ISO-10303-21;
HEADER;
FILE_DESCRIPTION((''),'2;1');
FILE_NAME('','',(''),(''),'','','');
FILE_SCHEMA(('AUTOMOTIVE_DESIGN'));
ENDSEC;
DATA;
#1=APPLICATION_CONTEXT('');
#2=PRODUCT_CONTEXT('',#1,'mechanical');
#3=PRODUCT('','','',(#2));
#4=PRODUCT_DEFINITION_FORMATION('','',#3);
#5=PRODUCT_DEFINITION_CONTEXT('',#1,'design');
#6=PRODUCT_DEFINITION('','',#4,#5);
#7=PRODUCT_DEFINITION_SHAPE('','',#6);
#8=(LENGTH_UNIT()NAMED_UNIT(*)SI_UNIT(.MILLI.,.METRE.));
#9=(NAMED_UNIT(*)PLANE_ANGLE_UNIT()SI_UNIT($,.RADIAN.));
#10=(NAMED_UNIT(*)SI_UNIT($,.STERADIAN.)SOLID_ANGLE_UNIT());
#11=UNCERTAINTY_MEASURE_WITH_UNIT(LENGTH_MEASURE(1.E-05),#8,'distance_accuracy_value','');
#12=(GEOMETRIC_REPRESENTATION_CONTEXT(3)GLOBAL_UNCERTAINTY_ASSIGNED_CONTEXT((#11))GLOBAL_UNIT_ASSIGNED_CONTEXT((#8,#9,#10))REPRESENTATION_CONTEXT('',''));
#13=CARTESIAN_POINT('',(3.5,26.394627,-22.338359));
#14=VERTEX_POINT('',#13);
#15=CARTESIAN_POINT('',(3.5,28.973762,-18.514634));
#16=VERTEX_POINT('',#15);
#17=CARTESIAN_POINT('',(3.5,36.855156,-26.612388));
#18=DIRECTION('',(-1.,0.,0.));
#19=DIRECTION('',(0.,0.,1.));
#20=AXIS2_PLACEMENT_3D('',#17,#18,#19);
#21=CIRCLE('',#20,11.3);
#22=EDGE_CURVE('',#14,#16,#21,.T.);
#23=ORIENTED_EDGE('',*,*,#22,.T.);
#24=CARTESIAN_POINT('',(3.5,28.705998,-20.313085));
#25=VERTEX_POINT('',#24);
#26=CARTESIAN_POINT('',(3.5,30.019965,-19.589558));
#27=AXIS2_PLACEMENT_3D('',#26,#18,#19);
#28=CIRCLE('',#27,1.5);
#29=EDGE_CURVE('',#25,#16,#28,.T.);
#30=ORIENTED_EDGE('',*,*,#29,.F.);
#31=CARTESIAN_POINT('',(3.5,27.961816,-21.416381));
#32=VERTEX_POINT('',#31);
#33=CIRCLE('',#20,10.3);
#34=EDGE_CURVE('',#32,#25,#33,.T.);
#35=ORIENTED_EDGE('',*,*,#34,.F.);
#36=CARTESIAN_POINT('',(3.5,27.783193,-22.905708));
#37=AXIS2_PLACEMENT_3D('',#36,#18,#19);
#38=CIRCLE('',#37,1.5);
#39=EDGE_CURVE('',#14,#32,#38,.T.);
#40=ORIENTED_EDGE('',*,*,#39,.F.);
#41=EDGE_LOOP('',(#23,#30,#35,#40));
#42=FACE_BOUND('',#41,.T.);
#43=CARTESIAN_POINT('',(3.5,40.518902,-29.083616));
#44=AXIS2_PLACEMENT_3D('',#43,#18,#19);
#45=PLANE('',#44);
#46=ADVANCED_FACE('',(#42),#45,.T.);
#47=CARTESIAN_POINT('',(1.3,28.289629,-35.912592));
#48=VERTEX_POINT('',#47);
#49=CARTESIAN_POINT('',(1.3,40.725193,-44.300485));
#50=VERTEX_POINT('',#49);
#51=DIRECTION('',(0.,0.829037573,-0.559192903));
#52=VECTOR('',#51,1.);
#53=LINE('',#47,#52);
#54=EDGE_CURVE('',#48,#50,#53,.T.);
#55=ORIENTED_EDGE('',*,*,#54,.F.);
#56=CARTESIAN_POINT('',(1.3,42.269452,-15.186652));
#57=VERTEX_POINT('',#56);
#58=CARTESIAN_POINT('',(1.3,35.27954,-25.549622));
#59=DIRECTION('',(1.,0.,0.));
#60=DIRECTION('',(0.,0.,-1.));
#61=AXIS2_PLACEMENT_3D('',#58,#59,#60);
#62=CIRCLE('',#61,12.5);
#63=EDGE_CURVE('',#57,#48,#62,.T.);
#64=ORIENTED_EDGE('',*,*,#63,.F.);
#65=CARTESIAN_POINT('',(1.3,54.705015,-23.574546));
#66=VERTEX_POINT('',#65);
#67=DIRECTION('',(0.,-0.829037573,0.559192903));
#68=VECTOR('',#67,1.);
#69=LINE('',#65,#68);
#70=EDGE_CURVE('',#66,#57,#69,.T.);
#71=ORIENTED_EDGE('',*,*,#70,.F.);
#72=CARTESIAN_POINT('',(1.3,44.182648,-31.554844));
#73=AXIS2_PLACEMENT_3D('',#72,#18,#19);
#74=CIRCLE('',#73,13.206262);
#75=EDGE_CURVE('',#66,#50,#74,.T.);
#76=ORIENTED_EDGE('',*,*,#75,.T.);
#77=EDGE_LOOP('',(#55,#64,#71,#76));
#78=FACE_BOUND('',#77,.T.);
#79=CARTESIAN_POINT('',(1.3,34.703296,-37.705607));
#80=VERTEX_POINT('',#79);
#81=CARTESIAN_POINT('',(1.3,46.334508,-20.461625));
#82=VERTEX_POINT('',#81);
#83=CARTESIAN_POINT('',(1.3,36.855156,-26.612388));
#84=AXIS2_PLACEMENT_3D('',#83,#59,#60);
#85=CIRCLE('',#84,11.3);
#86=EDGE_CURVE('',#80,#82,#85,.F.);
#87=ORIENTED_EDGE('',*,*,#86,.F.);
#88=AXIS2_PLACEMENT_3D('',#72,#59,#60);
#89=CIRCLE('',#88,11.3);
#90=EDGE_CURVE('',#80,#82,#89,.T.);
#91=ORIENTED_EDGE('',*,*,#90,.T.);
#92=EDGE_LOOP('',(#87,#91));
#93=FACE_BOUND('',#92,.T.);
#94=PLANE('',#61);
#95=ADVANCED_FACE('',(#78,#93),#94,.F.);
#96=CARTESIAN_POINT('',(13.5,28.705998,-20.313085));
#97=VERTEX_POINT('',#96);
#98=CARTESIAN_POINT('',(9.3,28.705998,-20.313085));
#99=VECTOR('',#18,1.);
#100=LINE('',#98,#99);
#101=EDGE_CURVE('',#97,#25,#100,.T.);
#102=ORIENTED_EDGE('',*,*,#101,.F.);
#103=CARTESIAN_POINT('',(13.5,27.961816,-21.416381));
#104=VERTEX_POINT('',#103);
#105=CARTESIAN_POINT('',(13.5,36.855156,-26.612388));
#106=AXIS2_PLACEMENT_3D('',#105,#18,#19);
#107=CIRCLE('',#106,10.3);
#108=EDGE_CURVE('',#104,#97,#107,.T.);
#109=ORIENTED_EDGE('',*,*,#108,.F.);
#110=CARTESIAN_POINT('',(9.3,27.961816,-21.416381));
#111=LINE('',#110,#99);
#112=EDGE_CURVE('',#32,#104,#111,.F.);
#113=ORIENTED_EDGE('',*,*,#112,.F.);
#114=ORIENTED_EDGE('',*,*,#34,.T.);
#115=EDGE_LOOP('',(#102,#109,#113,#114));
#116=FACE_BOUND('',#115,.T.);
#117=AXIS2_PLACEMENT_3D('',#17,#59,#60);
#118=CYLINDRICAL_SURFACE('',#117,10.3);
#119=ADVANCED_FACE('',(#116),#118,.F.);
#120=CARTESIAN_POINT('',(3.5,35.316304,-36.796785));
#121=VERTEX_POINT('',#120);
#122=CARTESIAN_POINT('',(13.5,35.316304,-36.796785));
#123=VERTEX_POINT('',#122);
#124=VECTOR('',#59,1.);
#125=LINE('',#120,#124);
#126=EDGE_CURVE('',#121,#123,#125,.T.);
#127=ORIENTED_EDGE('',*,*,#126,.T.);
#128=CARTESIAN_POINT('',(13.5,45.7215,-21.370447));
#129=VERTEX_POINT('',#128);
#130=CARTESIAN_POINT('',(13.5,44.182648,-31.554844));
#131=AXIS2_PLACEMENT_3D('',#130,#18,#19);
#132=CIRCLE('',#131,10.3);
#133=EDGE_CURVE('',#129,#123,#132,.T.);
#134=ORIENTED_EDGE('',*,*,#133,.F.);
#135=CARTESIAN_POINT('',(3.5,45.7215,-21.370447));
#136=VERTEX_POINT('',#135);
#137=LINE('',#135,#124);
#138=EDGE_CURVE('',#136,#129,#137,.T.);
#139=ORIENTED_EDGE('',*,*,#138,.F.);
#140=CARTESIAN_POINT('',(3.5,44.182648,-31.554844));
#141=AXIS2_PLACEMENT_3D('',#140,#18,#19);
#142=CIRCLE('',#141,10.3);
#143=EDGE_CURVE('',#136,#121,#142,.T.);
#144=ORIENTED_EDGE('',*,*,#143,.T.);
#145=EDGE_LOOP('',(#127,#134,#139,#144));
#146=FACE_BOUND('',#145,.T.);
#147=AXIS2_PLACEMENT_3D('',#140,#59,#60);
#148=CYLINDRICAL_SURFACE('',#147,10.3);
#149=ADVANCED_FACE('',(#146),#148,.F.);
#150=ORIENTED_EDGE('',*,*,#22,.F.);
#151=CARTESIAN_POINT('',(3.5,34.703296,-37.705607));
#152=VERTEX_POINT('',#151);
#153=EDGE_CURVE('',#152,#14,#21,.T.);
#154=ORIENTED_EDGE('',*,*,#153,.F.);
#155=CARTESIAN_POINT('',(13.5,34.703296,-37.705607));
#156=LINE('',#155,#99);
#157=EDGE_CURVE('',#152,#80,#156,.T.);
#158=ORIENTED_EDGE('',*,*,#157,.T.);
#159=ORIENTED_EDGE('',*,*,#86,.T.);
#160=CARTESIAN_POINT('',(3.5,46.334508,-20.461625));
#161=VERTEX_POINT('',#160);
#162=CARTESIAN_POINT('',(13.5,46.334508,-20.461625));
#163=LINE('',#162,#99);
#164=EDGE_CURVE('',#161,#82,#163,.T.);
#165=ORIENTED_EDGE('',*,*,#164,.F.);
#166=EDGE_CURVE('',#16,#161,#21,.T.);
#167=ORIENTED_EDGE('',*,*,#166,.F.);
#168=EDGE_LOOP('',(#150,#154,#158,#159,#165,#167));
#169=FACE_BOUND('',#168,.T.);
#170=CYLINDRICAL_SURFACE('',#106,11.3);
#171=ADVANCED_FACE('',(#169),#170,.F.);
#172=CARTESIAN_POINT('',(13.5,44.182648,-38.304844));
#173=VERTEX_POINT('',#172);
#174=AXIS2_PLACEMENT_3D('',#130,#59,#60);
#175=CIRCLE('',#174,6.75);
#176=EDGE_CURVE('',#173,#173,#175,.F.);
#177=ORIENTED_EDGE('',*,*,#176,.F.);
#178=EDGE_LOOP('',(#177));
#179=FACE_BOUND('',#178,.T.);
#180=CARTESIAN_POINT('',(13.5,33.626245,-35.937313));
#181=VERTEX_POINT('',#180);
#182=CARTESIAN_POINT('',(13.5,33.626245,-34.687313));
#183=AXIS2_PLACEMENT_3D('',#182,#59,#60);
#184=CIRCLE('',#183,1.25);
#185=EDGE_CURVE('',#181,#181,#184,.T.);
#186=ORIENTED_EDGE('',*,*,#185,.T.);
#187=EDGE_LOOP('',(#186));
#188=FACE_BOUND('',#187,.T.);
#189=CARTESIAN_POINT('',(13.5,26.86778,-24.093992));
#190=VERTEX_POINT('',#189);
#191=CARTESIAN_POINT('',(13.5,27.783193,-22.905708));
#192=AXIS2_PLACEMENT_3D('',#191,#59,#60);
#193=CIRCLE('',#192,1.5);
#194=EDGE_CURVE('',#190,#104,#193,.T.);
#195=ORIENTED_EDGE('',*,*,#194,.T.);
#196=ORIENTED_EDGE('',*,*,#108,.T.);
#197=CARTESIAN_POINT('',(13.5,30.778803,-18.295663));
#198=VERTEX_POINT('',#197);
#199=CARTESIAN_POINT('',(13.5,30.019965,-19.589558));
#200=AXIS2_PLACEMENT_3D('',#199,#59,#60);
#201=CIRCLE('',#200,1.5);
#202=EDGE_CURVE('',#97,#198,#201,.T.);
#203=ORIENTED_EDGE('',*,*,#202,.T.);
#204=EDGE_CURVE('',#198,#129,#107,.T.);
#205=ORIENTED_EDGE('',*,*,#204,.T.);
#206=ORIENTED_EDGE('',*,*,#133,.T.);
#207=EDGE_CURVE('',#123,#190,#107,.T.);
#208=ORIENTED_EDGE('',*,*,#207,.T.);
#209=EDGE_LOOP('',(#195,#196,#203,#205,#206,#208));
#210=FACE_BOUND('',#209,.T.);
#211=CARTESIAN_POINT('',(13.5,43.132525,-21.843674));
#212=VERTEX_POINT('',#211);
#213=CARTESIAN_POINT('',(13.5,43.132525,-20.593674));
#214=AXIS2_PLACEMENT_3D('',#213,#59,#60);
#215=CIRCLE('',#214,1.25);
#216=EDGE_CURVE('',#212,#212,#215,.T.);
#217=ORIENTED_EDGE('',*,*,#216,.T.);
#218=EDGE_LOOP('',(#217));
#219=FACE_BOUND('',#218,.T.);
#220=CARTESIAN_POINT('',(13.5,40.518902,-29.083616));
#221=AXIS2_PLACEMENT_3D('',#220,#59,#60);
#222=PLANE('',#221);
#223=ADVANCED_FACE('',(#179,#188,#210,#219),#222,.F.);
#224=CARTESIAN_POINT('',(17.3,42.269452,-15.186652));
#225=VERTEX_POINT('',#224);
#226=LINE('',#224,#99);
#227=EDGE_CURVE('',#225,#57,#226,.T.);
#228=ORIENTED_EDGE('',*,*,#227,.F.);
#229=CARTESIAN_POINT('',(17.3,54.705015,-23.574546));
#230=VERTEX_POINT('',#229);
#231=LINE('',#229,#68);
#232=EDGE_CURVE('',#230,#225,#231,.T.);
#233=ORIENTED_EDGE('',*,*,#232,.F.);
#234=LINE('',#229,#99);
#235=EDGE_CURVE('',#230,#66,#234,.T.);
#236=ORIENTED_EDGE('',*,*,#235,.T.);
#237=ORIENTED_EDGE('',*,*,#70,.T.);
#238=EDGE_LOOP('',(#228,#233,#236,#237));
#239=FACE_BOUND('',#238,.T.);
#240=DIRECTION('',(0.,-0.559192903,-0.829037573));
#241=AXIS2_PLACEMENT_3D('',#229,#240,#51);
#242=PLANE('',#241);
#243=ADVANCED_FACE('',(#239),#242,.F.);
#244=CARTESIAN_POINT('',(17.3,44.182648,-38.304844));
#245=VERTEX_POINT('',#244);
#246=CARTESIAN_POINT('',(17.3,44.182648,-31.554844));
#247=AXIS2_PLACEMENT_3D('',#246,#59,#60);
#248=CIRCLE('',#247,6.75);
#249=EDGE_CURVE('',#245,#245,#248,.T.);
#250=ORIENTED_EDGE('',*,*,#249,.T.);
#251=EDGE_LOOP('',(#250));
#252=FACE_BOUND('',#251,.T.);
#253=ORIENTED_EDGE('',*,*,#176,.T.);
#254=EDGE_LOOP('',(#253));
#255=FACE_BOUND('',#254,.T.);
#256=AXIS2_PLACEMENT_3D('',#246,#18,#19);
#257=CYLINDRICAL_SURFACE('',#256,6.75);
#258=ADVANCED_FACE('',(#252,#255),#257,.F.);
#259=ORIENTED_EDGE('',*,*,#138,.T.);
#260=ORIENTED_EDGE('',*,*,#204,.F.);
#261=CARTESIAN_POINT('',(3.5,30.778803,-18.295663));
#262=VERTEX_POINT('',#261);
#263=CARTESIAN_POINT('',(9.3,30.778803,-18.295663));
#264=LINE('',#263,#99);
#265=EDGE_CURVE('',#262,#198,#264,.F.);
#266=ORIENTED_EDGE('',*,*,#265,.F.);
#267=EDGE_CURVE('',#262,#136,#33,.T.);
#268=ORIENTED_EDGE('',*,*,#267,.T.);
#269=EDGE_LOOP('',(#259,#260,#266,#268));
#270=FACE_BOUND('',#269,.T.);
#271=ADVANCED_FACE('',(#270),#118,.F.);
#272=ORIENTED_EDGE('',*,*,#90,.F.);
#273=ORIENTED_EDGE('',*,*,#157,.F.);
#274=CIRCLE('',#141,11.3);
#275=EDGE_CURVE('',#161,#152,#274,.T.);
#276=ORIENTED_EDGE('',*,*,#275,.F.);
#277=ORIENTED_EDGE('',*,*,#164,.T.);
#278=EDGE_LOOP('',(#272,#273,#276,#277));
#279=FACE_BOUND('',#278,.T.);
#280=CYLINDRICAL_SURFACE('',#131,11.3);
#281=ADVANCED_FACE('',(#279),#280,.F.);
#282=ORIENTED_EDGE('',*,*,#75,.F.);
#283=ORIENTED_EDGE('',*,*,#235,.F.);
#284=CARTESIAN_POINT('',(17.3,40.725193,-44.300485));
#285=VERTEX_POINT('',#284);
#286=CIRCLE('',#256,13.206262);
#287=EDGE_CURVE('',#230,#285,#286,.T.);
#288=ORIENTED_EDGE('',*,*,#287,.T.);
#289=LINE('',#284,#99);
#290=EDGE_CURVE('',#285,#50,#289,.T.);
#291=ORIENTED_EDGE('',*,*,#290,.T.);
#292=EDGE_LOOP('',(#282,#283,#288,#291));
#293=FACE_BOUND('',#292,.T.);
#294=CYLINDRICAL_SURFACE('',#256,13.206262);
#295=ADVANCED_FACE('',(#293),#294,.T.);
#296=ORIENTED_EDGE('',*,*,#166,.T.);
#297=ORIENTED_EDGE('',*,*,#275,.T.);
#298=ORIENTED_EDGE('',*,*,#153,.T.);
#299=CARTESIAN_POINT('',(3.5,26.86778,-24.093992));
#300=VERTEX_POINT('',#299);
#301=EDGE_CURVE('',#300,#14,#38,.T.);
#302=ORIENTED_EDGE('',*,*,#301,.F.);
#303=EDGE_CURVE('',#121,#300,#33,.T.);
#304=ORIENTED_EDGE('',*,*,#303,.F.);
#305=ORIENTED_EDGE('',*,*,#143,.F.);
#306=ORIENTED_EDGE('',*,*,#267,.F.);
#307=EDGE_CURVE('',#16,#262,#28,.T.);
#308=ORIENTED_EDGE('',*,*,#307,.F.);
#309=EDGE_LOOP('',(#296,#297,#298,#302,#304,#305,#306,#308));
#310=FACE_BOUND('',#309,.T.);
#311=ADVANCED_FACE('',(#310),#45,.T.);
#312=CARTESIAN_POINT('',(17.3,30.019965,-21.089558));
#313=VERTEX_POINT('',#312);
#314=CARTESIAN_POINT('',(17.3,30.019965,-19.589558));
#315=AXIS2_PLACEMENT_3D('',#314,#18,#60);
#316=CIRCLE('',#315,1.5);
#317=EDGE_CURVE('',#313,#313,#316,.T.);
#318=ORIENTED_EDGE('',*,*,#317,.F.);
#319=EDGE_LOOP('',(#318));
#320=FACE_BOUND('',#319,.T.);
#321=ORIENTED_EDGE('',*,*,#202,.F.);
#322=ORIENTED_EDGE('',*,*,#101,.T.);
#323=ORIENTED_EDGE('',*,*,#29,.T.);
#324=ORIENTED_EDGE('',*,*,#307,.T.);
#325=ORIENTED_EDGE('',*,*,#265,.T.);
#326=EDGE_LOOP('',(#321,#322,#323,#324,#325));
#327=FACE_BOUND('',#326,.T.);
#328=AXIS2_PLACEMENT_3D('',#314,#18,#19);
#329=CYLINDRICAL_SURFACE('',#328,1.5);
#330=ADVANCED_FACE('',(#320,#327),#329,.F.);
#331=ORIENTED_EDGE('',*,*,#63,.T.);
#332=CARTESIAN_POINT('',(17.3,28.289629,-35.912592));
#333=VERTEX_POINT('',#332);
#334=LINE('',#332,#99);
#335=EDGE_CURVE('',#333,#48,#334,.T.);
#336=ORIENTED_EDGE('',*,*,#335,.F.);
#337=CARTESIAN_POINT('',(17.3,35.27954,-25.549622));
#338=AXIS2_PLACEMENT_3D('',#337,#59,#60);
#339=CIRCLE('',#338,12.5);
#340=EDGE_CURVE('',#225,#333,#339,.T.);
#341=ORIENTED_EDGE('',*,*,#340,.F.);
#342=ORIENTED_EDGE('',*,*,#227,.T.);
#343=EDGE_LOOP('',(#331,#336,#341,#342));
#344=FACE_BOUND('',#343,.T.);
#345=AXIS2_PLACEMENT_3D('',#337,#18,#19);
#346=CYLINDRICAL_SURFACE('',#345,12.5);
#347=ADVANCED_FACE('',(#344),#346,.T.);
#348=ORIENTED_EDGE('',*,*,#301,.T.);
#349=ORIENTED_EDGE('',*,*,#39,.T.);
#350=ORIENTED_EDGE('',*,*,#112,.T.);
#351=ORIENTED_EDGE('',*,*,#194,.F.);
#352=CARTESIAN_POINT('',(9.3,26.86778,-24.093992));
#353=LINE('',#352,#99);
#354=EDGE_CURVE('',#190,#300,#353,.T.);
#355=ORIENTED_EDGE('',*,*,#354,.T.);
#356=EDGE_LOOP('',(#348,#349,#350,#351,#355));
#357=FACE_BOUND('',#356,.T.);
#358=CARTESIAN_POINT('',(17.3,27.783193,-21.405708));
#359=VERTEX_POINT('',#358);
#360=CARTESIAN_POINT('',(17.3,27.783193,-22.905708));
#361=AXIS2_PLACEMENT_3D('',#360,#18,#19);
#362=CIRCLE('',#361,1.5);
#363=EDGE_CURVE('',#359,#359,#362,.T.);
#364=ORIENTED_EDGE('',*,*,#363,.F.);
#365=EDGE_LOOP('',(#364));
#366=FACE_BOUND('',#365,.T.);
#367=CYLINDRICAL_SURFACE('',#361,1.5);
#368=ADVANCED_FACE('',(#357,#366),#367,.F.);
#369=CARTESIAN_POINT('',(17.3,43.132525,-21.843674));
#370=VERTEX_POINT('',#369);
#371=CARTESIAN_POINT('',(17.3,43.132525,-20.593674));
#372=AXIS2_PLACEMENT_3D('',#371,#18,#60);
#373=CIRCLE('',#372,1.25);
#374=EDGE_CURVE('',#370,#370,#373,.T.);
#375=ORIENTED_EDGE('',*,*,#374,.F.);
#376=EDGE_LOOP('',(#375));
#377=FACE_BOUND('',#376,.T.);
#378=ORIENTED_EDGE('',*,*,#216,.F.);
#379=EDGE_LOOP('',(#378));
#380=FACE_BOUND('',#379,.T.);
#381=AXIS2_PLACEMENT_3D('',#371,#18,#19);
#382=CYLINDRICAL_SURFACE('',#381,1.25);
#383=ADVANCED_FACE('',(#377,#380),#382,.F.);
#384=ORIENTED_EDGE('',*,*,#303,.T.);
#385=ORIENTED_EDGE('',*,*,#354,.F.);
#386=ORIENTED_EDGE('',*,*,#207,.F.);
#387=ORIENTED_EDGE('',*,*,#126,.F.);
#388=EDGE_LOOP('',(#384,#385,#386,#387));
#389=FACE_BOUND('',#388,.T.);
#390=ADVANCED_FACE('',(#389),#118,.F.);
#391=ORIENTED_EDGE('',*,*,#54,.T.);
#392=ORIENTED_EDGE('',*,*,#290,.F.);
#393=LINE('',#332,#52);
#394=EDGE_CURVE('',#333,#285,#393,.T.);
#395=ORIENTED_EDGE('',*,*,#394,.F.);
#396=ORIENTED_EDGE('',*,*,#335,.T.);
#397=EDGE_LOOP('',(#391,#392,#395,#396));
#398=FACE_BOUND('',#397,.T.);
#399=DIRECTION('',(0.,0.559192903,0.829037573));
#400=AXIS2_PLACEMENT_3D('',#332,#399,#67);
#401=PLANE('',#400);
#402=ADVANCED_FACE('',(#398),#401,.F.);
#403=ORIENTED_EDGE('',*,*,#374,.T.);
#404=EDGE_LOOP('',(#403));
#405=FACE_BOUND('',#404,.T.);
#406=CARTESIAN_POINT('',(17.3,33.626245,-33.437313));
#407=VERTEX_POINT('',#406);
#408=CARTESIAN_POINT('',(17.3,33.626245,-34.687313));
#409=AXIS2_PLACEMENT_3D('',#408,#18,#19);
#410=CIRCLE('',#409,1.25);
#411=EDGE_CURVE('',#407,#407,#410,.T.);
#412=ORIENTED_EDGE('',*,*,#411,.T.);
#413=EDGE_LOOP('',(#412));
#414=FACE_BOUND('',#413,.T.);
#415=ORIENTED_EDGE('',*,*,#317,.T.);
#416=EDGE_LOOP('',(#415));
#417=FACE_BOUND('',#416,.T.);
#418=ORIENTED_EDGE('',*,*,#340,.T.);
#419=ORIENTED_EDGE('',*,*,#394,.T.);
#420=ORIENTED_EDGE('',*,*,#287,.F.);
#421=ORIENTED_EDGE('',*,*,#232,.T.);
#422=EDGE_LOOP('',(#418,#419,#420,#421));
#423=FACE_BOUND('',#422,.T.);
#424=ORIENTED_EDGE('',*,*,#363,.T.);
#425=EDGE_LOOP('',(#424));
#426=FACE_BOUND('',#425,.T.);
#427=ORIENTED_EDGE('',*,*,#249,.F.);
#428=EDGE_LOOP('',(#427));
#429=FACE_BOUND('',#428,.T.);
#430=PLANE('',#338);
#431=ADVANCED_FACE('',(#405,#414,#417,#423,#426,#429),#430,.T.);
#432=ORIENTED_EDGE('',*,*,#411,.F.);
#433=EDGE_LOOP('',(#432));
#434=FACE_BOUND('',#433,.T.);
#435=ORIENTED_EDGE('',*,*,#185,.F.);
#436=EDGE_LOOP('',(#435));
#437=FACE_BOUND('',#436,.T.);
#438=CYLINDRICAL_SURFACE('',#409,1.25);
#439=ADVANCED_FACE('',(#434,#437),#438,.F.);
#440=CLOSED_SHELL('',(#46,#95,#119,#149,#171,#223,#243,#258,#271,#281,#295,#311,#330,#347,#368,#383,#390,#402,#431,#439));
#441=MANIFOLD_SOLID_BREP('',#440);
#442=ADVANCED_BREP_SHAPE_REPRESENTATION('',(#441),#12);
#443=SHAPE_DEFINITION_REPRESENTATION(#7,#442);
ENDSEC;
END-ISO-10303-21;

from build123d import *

# Parameters (mm, degrees)
EXTRUDE_START            = 1.3
EXTRUDE_1_DEPTH          = 16
CUT_EXTRUDE_1_DEPTH      = 13.5
SKETCH_1_4_R             = 6.75
CUT_EXTRUDE_2_DEPTH      = 18.3
EXTRUDE_2_DEPTH          = 10
SKETCH_3_R               = 1.25
SKETCH_3_R_2             = 1.5
CUT_EXTRUDE_4_DEPTH      = 13.2
CUT_EXTRUDE_4_DEPTH_BACK = 4.8


with BuildPart() as part:
    # 草图1 → 凸台-拉伸1 (new body)
    with BuildSketch(Plane(origin=(0, 0, 0), x_dir=(0, 0, -1), z_dir=(1, 0, 0)).offset(EXTRUDE_START)):
        with BuildLine():
            Line((23.574545879, 54.705015226), (15.186652327, 42.269451638))
            ThreePointArc((15.186652327, 42.269451638), (18.559710691, 24.916570688), (35.912591641, 28.289629051))
            Line((35.912591641, 28.289629051), (44.300485193, 40.72519264))
            ThreePointArc((44.300485193, 40.72519264), (38.939692203, 55.131135816), (23.574545879, 54.705015226))
        make_face()
    extrude(amount=EXTRUDE_1_DEPTH)

    # 草图1<3> → 切除-拉伸1 (cut)
    with BuildSketch(Plane(origin=(0, 0, 0), x_dir=(0, 0, -1), z_dir=(1, 0, 0))):
        with BuildLine():
            ThreePointArc((20.461625434, 46.334508412), (37.873723753, 53.550772599), (37.705606944, 34.70329602))
            ThreePointArc((37.705606944, 34.70329602), (20.293508625, 27.487031833), (20.461625434, 46.334508412))
        make_face()
    extrude(amount=CUT_EXTRUDE_1_DEPTH, mode=Mode.SUBTRACT)

    # 草图1<4> → 切除-拉伸2 (cut, through all)
    with BuildSketch(Plane(origin=(0, 0, 0), x_dir=(0, 0, -1), z_dir=(1, 0, 0))):
        with Locations((31.554843944, 44.182648029)):
            Circle(SKETCH_1_4_R)
    extrude(amount=CUT_EXTRUDE_2_DEPTH, mode=Mode.SUBTRACT)

    # 草图2 → 凸台-拉伸2 (add)
    with BuildSketch(Plane.ZY.offset(-13.5)):
        with BuildLine():
            ThreePointArc((-20.461625434, 46.334508412), (-37.873723753, 53.550772599), (-37.705606944, 34.70329602))
            ThreePointArc((-37.705606944, 34.70329602), (-20.293508625, 27.487031833), (-20.461625434, 46.334508412))
        make_face()
        with BuildLine():
            ThreePointArc((-36.796785017, 35.31630415), (-20.852701529, 28.316069405), (-21.370447361, 45.721500282))
            ThreePointArc((-21.370447361, 45.721500282), (-37.314530849, 52.721735026), (-36.796785017, 35.31630415))
        make_face(mode=Mode.SUBTRACT)
    extrude(amount=EXTRUDE_2_DEPTH)

    # 草图3 → 切除-拉伸4 (cut, two sides)
    with BuildSketch(Plane.ZY.offset(-13.5)) as cut_extrude_4_sk:
        with Locations((-34.687312986, 33.626245342)):
            Circle(SKETCH_3_R)
        with Locations((-20.593674253, 43.132524701)):
            Circle(SKETCH_3_R)
        with Locations((-22.9057078, 27.783193072)):
            Circle(SKETCH_3_R_2)
        with Locations((-19.58955751, 30.019964685)):
            Circle(SKETCH_3_R_2)
    extrude(amount=CUT_EXTRUDE_4_DEPTH, mode=Mode.SUBTRACT)
    extrude(cut_extrude_4_sk.sketch, amount=-CUT_EXTRUDE_4_DEPTH_BACK, mode=Mode.SUBTRACT)


solid = part.part
